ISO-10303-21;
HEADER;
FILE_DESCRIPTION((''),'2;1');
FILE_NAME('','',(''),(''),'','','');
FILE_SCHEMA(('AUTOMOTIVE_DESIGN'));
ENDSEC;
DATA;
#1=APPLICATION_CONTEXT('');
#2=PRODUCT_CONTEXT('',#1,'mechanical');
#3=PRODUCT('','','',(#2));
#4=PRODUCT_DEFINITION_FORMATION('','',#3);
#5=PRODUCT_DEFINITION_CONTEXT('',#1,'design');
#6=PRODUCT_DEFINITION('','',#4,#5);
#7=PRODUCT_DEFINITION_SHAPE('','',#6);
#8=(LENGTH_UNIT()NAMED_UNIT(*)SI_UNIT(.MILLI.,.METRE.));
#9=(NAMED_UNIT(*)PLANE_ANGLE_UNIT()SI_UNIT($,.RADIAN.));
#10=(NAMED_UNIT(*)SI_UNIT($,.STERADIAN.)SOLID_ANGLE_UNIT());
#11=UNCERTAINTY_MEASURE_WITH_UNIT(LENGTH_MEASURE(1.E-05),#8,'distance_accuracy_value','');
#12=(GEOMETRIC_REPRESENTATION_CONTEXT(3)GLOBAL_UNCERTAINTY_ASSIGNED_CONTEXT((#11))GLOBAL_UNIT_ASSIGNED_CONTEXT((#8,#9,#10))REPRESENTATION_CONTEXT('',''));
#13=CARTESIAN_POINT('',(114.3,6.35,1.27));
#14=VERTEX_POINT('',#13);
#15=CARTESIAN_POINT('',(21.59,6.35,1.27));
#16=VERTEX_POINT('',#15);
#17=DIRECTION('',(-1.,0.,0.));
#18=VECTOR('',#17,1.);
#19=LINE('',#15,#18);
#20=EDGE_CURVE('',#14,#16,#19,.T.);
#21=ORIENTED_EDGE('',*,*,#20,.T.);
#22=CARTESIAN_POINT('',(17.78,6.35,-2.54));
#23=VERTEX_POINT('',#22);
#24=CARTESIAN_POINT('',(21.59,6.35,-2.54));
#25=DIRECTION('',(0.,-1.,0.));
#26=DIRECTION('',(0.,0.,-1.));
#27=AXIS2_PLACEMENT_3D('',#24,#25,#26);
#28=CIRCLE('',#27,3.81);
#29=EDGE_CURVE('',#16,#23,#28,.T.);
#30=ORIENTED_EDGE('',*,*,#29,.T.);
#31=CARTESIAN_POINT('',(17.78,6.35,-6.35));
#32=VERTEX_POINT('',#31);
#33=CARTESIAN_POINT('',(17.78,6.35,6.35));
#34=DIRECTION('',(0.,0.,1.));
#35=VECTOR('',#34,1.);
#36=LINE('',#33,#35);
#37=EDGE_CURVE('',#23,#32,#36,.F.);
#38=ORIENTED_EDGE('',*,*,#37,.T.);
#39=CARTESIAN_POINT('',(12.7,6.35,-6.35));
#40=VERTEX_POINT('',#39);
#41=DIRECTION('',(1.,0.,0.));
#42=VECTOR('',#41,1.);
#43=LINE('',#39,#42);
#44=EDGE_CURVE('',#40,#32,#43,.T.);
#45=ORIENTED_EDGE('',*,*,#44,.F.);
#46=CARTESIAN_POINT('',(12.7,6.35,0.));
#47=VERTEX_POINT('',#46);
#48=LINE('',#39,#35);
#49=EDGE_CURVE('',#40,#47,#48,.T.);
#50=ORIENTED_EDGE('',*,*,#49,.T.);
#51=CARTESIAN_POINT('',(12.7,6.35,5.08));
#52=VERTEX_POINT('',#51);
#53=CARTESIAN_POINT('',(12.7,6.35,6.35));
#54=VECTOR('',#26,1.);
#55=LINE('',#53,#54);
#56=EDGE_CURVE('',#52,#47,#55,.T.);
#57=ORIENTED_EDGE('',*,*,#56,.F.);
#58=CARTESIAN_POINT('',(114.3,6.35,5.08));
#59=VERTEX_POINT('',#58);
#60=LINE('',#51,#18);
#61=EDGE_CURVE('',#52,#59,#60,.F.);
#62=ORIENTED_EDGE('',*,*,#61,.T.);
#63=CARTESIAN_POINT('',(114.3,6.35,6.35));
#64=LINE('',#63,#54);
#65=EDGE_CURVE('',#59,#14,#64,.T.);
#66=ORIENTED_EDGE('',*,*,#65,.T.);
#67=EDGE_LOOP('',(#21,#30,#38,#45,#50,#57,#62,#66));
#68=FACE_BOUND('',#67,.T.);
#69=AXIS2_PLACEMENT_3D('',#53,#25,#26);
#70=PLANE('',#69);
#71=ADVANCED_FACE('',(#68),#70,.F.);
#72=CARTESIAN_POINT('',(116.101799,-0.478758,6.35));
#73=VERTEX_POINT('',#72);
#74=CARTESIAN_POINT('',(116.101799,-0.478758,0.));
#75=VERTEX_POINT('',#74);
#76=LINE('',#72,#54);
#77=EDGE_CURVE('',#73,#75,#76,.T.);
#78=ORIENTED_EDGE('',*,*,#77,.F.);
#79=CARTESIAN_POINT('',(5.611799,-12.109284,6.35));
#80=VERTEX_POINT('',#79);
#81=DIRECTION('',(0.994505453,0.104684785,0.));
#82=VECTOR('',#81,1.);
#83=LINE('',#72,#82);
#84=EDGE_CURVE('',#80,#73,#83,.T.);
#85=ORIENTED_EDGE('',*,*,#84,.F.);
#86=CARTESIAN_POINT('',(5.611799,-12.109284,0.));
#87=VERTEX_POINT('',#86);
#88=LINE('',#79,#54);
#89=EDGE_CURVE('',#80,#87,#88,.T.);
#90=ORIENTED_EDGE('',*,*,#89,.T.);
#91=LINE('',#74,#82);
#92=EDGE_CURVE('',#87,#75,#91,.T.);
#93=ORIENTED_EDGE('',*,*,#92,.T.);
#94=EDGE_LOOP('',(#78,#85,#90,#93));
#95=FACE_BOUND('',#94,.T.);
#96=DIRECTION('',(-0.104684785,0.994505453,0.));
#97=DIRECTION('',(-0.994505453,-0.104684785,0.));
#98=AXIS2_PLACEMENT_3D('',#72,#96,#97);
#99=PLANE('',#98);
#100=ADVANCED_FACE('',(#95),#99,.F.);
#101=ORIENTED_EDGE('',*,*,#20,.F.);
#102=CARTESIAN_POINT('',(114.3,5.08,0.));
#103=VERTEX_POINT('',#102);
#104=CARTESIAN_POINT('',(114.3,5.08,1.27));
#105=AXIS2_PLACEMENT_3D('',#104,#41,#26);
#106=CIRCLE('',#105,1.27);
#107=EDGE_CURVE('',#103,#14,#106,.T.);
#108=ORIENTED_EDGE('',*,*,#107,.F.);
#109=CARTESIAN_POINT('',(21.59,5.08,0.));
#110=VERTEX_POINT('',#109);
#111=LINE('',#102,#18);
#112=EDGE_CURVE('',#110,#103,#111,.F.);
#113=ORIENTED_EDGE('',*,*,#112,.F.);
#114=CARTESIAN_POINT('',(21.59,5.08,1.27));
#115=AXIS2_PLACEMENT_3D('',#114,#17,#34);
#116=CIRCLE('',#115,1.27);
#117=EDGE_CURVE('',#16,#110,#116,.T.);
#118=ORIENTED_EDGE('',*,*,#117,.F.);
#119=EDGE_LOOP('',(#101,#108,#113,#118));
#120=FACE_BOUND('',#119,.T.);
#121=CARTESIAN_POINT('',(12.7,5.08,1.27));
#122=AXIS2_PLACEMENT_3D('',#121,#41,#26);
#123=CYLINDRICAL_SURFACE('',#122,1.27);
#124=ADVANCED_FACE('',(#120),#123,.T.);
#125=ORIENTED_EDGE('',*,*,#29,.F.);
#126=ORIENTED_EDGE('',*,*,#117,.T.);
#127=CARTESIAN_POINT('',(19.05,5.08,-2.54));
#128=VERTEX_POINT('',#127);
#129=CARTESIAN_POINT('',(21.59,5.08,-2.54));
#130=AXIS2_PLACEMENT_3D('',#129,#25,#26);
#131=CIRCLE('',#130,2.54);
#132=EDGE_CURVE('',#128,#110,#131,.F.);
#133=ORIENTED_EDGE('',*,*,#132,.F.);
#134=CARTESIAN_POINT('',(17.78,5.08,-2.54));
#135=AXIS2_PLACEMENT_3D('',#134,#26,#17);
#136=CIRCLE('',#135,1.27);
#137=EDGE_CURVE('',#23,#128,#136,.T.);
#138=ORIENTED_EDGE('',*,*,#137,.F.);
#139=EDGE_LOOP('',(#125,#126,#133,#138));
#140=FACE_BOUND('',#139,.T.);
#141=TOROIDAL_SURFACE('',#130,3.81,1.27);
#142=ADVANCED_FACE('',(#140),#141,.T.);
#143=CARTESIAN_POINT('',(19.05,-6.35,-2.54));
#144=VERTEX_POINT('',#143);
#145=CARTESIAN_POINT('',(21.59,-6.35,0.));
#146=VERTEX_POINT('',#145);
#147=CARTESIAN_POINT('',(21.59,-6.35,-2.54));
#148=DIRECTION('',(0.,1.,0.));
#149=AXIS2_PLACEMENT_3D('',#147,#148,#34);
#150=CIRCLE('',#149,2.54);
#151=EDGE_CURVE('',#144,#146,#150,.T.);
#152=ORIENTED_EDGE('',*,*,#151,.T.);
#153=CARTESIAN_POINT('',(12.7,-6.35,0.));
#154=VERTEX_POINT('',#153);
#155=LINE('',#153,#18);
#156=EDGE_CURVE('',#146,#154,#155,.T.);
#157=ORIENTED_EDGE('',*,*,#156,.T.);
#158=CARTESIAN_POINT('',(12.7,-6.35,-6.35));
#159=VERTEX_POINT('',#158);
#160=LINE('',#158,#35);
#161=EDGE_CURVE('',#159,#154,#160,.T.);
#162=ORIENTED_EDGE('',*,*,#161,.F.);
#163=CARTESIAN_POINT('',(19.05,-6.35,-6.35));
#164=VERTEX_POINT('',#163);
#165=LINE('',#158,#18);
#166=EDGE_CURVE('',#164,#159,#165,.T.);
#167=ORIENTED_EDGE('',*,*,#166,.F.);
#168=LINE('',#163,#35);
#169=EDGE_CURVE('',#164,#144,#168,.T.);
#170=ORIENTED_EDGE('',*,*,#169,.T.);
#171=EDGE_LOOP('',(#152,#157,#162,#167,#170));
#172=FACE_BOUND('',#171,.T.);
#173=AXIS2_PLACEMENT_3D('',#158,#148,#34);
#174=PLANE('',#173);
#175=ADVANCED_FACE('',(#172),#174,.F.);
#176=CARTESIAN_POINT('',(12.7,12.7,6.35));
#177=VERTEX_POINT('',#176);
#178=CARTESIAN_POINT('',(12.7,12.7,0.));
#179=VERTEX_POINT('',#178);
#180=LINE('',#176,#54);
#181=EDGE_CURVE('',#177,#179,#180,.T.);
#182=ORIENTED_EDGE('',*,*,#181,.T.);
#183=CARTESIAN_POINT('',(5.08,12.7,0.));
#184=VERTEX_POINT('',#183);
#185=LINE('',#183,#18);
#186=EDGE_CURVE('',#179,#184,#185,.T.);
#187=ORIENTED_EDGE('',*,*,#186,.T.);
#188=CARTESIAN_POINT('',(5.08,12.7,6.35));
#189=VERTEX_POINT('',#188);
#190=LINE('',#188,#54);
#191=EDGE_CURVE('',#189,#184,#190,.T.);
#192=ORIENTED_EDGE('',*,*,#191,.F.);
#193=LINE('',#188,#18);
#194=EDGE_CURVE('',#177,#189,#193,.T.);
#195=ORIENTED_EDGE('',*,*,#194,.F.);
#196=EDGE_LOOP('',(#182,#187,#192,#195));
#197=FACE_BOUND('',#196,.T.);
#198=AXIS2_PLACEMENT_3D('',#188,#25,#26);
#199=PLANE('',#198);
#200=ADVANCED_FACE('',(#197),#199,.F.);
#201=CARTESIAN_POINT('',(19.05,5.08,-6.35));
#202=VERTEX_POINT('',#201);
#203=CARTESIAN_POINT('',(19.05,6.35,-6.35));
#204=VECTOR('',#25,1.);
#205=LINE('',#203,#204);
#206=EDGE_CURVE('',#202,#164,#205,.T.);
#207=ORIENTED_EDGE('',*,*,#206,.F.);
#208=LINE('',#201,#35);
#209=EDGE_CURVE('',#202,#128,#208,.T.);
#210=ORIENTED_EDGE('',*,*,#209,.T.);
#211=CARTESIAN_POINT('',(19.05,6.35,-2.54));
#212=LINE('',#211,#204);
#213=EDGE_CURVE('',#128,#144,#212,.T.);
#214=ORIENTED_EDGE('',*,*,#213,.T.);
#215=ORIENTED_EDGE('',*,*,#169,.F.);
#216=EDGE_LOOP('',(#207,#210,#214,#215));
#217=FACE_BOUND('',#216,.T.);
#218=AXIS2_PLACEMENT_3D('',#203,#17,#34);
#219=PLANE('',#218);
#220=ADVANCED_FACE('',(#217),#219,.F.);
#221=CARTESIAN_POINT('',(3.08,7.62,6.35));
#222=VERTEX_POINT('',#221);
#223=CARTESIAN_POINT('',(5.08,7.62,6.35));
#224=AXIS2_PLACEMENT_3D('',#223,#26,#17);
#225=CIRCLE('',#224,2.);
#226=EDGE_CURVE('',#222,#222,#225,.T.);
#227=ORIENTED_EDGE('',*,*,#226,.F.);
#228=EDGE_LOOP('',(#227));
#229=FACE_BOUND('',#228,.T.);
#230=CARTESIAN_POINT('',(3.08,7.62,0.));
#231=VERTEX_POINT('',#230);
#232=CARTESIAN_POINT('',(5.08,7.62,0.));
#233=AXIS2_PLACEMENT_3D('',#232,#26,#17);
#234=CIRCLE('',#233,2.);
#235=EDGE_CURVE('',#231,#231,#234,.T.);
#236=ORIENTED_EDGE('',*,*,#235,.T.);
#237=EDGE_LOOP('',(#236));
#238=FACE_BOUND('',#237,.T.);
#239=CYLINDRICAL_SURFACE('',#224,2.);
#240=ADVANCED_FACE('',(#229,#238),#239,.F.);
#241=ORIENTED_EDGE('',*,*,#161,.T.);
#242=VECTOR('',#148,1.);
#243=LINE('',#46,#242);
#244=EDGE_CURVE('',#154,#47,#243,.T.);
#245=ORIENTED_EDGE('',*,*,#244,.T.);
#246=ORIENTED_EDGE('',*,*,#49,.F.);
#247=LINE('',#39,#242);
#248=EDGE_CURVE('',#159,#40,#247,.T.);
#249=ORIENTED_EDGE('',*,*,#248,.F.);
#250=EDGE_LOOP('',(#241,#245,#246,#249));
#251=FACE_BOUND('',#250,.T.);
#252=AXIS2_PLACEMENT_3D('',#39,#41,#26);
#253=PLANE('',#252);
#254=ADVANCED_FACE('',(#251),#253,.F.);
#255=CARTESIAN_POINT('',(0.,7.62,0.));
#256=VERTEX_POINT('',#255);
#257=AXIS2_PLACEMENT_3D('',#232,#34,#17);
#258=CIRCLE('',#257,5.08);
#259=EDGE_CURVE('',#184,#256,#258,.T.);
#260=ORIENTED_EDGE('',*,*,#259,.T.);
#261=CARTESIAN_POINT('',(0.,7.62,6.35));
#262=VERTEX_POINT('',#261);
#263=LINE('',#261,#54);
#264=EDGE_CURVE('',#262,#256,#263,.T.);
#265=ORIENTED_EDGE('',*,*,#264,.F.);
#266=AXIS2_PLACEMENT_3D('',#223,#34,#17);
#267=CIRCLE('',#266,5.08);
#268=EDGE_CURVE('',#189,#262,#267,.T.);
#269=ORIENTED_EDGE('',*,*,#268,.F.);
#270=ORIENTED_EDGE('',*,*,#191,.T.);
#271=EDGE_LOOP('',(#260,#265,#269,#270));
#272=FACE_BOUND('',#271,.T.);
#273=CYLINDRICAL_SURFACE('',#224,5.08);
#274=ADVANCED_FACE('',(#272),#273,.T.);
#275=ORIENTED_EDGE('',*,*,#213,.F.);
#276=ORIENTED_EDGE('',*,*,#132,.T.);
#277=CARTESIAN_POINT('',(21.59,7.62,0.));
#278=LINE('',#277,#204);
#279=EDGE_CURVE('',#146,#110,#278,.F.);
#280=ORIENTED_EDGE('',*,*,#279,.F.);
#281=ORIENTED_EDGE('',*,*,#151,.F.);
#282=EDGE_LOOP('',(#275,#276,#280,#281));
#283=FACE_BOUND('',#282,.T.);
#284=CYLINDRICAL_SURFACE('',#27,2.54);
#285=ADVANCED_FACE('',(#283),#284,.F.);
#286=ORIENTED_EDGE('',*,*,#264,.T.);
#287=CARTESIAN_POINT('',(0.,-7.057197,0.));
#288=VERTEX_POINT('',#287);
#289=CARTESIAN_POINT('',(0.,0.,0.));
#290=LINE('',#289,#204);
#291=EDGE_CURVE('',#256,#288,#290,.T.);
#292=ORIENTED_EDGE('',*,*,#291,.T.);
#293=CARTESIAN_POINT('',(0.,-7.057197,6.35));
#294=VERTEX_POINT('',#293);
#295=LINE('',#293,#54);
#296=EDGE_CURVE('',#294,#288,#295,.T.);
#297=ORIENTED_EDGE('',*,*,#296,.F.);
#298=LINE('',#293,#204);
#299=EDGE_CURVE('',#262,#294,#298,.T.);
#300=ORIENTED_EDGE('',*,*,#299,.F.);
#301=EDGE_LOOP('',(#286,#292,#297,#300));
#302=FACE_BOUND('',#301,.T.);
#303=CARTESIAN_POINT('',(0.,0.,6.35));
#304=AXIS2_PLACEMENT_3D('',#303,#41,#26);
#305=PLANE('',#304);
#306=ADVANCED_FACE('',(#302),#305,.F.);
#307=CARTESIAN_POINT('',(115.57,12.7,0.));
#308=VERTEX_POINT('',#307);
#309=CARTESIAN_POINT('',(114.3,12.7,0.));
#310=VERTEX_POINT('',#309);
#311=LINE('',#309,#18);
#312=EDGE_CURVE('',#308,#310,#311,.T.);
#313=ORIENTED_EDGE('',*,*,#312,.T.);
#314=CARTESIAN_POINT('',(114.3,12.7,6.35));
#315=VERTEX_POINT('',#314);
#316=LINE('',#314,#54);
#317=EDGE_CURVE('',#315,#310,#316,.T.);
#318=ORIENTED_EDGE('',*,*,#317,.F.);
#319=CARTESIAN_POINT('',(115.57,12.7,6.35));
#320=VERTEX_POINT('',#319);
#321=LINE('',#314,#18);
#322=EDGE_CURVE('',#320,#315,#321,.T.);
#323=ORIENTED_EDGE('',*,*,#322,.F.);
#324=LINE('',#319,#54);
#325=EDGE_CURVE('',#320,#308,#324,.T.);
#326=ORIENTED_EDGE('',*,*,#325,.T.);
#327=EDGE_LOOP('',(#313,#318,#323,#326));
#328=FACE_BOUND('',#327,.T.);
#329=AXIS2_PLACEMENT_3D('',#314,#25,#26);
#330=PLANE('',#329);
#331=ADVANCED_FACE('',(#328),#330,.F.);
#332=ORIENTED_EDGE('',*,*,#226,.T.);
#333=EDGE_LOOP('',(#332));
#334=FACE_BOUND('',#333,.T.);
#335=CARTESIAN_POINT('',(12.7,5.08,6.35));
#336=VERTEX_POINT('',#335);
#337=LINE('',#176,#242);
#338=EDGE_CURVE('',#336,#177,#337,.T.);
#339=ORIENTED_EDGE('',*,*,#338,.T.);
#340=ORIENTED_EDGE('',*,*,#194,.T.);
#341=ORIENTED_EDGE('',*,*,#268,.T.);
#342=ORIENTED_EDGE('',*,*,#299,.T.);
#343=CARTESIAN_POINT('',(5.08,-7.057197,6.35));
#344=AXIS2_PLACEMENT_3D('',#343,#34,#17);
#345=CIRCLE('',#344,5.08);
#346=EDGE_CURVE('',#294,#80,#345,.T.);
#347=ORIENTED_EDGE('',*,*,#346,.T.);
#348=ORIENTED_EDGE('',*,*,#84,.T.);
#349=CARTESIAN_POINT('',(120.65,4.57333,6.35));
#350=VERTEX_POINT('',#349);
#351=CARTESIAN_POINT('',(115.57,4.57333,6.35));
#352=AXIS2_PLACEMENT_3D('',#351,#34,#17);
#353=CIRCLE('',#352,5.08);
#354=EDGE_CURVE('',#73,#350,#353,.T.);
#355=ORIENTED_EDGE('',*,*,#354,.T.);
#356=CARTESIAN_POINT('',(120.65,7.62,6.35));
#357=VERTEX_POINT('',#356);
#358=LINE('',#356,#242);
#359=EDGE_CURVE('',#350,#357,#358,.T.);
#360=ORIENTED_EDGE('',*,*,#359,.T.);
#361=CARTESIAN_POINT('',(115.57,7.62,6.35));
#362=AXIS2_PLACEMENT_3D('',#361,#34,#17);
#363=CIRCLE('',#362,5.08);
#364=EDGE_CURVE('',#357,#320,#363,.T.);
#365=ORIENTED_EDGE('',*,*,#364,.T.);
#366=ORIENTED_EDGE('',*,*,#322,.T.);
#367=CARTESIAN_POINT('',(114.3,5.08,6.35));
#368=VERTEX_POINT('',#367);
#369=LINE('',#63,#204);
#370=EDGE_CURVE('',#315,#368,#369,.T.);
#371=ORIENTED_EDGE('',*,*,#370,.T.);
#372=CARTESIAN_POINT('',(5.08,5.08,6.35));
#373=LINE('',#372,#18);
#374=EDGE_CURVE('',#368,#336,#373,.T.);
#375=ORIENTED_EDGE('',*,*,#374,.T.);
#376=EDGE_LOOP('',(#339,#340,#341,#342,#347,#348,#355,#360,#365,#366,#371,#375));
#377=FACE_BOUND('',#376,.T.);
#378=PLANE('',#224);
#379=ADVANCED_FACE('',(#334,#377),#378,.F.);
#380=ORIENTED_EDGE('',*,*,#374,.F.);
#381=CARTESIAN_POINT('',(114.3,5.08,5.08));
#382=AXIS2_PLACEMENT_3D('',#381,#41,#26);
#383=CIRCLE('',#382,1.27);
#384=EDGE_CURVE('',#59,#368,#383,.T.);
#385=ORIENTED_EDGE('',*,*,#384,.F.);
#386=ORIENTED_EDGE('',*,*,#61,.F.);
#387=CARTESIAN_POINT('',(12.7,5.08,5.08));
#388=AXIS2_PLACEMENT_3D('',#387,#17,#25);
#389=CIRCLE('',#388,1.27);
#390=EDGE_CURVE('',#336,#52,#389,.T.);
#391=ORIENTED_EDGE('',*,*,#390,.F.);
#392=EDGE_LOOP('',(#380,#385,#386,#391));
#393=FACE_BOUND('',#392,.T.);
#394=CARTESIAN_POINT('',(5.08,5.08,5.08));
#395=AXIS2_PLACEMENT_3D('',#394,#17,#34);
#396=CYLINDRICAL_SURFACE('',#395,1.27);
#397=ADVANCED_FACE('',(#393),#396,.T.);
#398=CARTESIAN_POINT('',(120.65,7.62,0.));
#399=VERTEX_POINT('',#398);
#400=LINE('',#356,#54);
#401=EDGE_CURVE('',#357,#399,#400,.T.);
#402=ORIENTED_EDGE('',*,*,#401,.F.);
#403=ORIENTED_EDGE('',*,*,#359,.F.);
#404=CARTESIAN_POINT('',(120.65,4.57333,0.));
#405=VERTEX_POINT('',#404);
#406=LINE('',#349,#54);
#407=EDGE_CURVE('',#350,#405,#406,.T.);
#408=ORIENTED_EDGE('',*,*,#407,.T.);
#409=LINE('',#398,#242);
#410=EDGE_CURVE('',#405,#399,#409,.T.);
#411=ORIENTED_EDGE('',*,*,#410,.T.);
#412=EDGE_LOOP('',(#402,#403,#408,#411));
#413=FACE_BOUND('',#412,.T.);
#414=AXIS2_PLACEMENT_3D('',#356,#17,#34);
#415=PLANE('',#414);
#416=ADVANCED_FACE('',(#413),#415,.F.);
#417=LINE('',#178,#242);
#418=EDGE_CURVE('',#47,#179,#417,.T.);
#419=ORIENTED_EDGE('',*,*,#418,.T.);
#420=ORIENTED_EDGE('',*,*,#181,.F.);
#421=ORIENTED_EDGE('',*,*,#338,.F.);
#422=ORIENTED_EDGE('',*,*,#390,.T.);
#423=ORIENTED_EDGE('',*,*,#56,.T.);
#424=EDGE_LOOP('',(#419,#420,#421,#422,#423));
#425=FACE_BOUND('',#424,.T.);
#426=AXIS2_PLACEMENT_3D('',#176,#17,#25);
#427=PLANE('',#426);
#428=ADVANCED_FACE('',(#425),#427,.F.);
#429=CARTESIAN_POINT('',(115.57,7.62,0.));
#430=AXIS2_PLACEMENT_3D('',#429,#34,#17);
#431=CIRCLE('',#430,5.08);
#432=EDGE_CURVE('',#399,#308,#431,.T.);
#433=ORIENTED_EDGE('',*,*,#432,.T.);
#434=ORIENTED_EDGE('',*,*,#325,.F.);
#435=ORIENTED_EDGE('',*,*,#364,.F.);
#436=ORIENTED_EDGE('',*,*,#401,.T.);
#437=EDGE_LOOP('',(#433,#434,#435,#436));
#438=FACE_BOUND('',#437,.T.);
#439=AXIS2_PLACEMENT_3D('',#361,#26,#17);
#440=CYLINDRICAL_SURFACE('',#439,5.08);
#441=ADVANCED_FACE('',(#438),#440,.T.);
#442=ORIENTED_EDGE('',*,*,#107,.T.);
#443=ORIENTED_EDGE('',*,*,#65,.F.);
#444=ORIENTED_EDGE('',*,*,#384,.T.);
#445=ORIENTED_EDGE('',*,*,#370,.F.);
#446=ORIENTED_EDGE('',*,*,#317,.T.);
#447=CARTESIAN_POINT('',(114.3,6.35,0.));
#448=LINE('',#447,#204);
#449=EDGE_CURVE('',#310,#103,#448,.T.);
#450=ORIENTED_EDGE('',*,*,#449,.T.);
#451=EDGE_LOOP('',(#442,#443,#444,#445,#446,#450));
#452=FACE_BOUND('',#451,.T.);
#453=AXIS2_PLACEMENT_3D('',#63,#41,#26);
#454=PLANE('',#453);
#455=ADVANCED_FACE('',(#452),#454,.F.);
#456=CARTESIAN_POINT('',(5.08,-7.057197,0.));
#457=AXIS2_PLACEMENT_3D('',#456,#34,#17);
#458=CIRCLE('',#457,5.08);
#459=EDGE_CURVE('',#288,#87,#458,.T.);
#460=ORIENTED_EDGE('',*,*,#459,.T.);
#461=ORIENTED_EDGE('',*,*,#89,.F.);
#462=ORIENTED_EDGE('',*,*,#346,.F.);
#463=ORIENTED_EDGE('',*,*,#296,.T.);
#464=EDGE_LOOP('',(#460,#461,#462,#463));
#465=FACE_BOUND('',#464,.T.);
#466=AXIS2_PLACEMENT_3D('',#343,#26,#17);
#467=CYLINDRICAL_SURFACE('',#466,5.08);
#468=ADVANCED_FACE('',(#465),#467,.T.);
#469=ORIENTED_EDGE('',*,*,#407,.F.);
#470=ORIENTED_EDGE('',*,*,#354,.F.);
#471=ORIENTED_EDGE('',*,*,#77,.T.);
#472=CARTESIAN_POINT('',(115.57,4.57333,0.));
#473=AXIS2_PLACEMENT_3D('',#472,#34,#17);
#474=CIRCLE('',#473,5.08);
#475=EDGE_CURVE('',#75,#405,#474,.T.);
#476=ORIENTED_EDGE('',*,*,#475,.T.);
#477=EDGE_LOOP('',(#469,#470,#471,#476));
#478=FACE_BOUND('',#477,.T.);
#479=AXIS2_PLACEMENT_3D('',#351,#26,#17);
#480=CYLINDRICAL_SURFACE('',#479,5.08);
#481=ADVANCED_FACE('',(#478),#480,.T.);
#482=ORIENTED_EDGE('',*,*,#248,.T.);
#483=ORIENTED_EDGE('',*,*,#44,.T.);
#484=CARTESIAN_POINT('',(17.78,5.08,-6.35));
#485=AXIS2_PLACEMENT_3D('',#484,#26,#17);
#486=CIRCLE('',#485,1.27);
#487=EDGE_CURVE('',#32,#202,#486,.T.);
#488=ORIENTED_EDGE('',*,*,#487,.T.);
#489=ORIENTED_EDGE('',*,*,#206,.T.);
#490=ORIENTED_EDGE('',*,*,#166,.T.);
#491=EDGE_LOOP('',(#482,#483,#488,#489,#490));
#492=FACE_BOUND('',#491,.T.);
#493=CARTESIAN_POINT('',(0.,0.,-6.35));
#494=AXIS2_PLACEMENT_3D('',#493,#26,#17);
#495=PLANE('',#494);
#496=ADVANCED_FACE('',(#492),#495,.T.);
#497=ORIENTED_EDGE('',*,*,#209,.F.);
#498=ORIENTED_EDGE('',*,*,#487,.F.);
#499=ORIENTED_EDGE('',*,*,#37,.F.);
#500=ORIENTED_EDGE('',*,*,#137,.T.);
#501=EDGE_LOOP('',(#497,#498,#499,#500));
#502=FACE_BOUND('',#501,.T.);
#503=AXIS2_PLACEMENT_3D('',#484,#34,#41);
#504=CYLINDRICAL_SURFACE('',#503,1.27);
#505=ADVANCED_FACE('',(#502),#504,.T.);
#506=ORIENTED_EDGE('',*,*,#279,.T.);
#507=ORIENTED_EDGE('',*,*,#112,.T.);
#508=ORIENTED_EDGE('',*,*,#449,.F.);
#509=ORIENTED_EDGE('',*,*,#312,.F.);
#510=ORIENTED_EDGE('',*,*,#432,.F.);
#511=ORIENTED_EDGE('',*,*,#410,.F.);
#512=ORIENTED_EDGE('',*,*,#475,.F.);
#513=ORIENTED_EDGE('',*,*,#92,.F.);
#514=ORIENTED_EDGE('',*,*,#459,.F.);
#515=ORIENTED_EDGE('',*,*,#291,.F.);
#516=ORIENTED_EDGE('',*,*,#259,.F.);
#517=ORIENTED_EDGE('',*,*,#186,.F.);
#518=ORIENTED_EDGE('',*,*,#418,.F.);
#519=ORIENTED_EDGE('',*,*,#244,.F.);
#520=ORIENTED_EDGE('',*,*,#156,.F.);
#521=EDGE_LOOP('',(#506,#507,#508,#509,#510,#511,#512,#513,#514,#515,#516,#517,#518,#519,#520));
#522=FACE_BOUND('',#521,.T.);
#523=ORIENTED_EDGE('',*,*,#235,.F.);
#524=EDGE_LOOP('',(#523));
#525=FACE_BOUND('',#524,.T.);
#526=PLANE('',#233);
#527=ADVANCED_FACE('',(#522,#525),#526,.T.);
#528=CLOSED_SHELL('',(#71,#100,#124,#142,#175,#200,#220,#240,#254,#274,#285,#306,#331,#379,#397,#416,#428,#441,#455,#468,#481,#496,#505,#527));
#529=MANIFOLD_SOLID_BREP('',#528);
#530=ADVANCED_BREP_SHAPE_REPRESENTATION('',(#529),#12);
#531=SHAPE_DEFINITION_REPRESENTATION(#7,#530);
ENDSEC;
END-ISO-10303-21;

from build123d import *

# Parameters (mm, degrees)
BOSS_EXTRUDE1_DEPTH = 6.35
SKETCH2_W           = 6.35
SKETCH2_H           = 12.7
BOSS_EXTRUDE2_DEPTH = 6.35
FILLET1_R           = 2.54
FILLET2_R           = 1.27
SKETCH3_R           = 2
CUT_EXTRUDE1_DEPTH  = 6.35


with BuildPart() as part:
    # Sketch1 → Boss-Extrude1 (new body)
    with BuildSketch(Plane.XY):
        with BuildLine():
            Line((0, 0), (0, 7.62))
            ThreePointArc((0, 7.62), (1.487897552, 11.212102448), (5.08, 12.7))
            Line((5.08, 12.7), (12.7, 12.7))
            Line((12.7, 12.7), (12.7, 6.35))
            Line((12.7, 6.35), (114.3, 6.35))
            Line((114.3, 6.35), (114.3, 12.7))
            Line((114.3, 12.7), (115.57, 12.7))
            ThreePointArc((115.57, 12.7), (119.162102448, 11.212102448), (120.65, 7.62))
            Line((120.65, 7.62), (120.65, 4.57332967))
            ThreePointArc((120.65, 4.57332967), (119.34544285, 1.174442898), (116.101798705, -0.478758031))
            Line((116.101798705, -0.478758031), (5.611798705, -12.109284347))
            ThreePointArc((5.611798705, -12.109284347), (1.681113228, -10.832639496), (0, -7.057196646))
            Line((0, -7.057196646), (0, 0))
        make_face()
    extrude(amount=BOSS_EXTRUDE1_DEPTH)

    # Sketch2 → Boss-Extrude2 (add)
    with BuildSketch(Plane(origin=(0, 0, 0), x_dir=(-1, 0, 0), z_dir=(0, 0, -1))):
        with Locations((-15.875, 0)):
            Rectangle(SKETCH2_W, SKETCH2_H)
    extrude(amount=BOSS_EXTRUDE2_DEPTH)

    # Fillet1
    fillet1_edges = [part.edges().sort_by_distance(p)[0] for p in [
        (19.05, 0, 0),
    ]]
    fillet(fillet1_edges, radius=FILLET1_R)

    # Fillet2
    fillet2_edges = [part.edges().sort_by_distance(p)[0] for p in [
        (67.945, 6.35, 0),
        (63.5, 6.35, 6.35),
        (19.05, 6.35, -4.445),
        (19.793948776, 6.35, -0.743948776),
    ]]
    fillet(fillet2_edges, radius=FILLET2_R)

    # Sketch3 → Cut-Extrude1 (cut)
    with BuildSketch(Plane(origin=(0, 0, 0), x_dir=(-1, 0, 0), z_dir=(0, 0, -1))):
        with Locations((-5.08, 7.62)):
            Circle(SKETCH3_R)
    extrude(amount=-CUT_EXTRUDE1_DEPTH, mode=Mode.SUBTRACT)


solid = part.part
